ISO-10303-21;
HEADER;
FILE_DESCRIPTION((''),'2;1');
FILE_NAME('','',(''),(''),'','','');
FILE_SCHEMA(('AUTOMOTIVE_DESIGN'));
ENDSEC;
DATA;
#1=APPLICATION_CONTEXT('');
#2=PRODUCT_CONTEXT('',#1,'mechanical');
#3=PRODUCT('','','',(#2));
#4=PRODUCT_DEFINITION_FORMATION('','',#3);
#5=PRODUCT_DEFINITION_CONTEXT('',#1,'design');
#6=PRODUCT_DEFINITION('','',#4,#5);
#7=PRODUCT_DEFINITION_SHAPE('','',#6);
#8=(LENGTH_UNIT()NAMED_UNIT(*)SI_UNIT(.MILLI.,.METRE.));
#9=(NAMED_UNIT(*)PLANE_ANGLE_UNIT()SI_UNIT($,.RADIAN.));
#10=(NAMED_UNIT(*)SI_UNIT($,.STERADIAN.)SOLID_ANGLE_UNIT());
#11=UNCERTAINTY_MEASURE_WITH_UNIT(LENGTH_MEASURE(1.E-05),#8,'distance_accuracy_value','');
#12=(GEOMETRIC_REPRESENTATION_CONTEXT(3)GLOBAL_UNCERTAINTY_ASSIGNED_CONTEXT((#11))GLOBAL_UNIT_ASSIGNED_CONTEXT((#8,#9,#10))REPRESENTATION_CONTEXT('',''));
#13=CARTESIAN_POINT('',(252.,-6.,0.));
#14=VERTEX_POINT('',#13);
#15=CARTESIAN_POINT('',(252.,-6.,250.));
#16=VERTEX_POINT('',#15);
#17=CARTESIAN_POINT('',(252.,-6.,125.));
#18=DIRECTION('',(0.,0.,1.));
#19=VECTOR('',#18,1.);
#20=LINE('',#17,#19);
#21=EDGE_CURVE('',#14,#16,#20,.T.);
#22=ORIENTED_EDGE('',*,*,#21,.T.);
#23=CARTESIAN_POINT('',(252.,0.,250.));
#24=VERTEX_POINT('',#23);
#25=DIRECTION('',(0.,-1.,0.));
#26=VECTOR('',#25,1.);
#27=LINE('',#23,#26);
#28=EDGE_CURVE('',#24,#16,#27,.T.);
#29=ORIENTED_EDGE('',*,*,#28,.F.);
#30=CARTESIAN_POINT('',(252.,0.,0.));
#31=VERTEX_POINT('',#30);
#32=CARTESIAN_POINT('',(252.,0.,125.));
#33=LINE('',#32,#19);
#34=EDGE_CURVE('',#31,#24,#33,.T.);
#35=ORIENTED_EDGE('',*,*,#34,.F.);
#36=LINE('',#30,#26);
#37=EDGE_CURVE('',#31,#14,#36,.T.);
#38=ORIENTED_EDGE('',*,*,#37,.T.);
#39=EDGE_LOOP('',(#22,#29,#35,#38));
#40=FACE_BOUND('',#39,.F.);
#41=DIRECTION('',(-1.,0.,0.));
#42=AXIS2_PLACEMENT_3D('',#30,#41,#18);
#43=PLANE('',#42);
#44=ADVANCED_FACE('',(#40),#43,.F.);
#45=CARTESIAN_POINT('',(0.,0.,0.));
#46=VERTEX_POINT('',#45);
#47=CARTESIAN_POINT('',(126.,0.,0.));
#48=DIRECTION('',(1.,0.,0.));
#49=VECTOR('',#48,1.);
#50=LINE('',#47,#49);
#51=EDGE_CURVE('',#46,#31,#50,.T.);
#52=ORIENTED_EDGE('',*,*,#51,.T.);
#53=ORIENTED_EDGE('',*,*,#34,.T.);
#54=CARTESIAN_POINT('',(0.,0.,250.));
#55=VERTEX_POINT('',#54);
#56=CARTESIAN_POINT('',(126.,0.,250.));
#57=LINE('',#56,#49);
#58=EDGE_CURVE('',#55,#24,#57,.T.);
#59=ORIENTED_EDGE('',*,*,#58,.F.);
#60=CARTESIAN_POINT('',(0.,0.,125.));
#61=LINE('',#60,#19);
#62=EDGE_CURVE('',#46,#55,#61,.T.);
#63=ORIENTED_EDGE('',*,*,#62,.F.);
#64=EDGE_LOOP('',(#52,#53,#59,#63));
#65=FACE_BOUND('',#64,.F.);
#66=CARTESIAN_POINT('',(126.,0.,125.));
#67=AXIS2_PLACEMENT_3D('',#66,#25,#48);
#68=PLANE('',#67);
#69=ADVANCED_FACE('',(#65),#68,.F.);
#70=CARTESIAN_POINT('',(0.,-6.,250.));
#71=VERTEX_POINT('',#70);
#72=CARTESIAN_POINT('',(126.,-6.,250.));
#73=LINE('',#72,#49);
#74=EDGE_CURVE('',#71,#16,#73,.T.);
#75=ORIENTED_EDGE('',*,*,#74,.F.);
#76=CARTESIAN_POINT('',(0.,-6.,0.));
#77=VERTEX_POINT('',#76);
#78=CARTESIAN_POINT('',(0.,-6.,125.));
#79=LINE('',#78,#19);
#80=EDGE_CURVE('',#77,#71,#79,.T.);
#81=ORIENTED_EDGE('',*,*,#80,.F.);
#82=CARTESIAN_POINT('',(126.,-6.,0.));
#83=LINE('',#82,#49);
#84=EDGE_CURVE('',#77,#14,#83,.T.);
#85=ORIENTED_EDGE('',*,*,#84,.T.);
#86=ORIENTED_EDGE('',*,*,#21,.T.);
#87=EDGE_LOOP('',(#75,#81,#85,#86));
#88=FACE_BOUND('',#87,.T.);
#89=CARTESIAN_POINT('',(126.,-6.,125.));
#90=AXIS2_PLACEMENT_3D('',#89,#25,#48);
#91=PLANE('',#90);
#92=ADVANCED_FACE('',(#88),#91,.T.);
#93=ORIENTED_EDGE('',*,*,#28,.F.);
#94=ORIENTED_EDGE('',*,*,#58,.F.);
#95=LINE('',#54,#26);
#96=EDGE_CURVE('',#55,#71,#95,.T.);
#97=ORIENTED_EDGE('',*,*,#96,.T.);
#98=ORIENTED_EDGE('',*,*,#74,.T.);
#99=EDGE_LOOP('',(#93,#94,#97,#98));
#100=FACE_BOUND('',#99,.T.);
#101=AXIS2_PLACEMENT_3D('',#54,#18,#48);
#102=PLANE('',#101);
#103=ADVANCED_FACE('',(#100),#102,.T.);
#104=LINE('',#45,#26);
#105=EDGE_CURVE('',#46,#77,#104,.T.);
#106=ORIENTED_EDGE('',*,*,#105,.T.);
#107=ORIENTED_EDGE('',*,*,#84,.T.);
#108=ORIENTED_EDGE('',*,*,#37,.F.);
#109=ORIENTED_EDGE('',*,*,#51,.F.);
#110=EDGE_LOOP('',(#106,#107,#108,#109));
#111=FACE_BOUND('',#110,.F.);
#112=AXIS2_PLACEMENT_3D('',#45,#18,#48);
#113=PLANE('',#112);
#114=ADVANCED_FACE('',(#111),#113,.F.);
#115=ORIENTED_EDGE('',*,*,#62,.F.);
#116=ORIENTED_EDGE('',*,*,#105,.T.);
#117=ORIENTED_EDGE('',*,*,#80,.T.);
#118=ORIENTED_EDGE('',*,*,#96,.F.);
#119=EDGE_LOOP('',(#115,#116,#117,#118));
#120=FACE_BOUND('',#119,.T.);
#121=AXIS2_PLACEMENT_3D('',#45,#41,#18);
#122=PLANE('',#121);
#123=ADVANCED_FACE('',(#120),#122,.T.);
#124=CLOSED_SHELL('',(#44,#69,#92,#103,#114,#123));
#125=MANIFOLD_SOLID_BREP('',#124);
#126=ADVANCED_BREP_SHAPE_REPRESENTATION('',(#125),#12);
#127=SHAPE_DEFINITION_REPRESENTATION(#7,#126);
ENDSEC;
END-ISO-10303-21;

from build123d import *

# Parameters (mm, degrees)
SKETCH_W  = 252
SKETCH_H  = 250
PAD_DEPTH = 6


with BuildPart() as part:
    # Sketch → Pad (new body)
    with BuildSketch(Plane.XZ):
        with Locations((126, 125)):
            Rectangle(SKETCH_W, SKETCH_H)
    extrude(amount=PAD_DEPTH)


solid = part.part
